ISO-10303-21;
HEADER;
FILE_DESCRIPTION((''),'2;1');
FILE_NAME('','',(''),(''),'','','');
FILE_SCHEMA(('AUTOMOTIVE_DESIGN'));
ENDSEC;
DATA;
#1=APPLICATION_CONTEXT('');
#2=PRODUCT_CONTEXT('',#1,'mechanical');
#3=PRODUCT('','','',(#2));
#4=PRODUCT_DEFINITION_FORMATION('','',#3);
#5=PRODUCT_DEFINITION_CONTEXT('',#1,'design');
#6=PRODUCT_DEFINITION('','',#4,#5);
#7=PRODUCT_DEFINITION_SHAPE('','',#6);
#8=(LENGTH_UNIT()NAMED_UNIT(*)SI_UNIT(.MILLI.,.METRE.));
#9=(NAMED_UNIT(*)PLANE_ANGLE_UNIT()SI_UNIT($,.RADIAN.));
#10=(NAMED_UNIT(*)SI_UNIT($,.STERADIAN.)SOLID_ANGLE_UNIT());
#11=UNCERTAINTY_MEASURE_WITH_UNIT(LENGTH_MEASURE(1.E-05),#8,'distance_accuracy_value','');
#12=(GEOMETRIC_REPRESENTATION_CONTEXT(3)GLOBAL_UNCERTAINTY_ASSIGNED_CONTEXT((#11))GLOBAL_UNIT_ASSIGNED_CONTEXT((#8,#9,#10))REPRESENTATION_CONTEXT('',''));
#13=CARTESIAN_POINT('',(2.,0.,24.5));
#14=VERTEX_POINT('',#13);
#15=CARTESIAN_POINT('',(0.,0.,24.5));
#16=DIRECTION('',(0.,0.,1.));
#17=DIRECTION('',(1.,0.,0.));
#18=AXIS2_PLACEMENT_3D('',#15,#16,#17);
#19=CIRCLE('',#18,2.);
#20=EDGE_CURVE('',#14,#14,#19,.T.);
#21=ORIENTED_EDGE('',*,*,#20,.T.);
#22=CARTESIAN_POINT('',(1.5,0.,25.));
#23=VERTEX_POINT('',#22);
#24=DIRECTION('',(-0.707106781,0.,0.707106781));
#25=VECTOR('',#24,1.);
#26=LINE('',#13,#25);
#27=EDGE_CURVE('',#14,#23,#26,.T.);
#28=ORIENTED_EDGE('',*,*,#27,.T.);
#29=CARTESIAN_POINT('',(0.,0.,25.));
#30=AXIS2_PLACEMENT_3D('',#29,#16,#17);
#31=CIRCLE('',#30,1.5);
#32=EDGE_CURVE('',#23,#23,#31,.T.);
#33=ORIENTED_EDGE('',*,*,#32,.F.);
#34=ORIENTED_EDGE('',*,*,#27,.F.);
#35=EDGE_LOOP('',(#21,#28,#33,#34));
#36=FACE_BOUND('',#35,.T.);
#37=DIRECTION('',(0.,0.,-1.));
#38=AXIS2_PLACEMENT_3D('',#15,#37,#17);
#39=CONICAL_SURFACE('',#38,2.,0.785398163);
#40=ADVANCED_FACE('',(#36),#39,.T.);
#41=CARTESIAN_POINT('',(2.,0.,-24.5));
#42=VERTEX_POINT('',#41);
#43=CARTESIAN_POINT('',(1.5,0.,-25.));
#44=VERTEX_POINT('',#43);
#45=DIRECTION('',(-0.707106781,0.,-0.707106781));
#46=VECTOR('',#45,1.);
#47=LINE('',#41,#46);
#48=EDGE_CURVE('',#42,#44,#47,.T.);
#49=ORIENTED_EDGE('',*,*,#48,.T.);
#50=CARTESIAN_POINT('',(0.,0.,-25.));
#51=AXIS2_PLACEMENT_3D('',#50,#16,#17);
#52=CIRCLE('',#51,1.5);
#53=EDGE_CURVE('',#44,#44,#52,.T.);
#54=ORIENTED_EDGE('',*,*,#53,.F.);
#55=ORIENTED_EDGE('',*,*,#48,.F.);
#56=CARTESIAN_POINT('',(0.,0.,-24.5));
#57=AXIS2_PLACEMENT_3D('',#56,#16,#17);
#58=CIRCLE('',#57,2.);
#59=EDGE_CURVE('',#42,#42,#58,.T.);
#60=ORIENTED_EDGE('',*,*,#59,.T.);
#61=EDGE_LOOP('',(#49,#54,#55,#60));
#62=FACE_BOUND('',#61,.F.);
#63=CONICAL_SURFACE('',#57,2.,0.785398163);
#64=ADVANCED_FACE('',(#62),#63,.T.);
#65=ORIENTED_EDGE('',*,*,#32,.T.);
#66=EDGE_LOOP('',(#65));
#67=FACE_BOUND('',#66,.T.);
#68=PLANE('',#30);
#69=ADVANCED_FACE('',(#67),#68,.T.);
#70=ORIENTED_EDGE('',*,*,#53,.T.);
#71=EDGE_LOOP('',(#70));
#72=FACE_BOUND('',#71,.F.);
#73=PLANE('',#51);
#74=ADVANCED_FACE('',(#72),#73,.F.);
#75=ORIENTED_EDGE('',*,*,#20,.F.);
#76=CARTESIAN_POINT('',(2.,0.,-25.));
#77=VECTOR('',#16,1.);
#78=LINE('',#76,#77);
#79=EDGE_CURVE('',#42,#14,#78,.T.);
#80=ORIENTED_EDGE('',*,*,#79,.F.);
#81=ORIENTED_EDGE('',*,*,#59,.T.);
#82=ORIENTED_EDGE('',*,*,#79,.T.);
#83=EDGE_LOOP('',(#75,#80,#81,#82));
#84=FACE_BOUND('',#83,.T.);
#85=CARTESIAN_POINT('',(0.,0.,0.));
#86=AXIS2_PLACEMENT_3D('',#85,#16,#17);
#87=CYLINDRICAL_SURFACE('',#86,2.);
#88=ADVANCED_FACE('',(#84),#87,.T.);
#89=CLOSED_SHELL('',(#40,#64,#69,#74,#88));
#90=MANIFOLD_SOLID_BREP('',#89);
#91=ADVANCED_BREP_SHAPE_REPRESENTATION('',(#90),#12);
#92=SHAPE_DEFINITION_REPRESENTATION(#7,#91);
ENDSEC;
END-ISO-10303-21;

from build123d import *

# Parameters (mm, degrees)
SKETCH1_R           = 2
BOSS_EXTRUDE1_DEPTH = 25
CHAMFER1_SIZE       = 0.5


with BuildPart() as part:
    # Sketch1 → Boss-Extrude1 (new body, symmetric)
    with BuildSketch(Plane.XY):
        Circle(SKETCH1_R)
    extrude(amount=BOSS_EXTRUDE1_DEPTH, both=True)

    # Chamfer1
    chamfer1_edges = [part.edges().sort_by_distance(p)[0] for p in [
        (-2, 0, -25),
        (-2, 0, 25),
    ]]
    chamfer(chamfer1_edges, length=CHAMFER1_SIZE)


solid = part.part
